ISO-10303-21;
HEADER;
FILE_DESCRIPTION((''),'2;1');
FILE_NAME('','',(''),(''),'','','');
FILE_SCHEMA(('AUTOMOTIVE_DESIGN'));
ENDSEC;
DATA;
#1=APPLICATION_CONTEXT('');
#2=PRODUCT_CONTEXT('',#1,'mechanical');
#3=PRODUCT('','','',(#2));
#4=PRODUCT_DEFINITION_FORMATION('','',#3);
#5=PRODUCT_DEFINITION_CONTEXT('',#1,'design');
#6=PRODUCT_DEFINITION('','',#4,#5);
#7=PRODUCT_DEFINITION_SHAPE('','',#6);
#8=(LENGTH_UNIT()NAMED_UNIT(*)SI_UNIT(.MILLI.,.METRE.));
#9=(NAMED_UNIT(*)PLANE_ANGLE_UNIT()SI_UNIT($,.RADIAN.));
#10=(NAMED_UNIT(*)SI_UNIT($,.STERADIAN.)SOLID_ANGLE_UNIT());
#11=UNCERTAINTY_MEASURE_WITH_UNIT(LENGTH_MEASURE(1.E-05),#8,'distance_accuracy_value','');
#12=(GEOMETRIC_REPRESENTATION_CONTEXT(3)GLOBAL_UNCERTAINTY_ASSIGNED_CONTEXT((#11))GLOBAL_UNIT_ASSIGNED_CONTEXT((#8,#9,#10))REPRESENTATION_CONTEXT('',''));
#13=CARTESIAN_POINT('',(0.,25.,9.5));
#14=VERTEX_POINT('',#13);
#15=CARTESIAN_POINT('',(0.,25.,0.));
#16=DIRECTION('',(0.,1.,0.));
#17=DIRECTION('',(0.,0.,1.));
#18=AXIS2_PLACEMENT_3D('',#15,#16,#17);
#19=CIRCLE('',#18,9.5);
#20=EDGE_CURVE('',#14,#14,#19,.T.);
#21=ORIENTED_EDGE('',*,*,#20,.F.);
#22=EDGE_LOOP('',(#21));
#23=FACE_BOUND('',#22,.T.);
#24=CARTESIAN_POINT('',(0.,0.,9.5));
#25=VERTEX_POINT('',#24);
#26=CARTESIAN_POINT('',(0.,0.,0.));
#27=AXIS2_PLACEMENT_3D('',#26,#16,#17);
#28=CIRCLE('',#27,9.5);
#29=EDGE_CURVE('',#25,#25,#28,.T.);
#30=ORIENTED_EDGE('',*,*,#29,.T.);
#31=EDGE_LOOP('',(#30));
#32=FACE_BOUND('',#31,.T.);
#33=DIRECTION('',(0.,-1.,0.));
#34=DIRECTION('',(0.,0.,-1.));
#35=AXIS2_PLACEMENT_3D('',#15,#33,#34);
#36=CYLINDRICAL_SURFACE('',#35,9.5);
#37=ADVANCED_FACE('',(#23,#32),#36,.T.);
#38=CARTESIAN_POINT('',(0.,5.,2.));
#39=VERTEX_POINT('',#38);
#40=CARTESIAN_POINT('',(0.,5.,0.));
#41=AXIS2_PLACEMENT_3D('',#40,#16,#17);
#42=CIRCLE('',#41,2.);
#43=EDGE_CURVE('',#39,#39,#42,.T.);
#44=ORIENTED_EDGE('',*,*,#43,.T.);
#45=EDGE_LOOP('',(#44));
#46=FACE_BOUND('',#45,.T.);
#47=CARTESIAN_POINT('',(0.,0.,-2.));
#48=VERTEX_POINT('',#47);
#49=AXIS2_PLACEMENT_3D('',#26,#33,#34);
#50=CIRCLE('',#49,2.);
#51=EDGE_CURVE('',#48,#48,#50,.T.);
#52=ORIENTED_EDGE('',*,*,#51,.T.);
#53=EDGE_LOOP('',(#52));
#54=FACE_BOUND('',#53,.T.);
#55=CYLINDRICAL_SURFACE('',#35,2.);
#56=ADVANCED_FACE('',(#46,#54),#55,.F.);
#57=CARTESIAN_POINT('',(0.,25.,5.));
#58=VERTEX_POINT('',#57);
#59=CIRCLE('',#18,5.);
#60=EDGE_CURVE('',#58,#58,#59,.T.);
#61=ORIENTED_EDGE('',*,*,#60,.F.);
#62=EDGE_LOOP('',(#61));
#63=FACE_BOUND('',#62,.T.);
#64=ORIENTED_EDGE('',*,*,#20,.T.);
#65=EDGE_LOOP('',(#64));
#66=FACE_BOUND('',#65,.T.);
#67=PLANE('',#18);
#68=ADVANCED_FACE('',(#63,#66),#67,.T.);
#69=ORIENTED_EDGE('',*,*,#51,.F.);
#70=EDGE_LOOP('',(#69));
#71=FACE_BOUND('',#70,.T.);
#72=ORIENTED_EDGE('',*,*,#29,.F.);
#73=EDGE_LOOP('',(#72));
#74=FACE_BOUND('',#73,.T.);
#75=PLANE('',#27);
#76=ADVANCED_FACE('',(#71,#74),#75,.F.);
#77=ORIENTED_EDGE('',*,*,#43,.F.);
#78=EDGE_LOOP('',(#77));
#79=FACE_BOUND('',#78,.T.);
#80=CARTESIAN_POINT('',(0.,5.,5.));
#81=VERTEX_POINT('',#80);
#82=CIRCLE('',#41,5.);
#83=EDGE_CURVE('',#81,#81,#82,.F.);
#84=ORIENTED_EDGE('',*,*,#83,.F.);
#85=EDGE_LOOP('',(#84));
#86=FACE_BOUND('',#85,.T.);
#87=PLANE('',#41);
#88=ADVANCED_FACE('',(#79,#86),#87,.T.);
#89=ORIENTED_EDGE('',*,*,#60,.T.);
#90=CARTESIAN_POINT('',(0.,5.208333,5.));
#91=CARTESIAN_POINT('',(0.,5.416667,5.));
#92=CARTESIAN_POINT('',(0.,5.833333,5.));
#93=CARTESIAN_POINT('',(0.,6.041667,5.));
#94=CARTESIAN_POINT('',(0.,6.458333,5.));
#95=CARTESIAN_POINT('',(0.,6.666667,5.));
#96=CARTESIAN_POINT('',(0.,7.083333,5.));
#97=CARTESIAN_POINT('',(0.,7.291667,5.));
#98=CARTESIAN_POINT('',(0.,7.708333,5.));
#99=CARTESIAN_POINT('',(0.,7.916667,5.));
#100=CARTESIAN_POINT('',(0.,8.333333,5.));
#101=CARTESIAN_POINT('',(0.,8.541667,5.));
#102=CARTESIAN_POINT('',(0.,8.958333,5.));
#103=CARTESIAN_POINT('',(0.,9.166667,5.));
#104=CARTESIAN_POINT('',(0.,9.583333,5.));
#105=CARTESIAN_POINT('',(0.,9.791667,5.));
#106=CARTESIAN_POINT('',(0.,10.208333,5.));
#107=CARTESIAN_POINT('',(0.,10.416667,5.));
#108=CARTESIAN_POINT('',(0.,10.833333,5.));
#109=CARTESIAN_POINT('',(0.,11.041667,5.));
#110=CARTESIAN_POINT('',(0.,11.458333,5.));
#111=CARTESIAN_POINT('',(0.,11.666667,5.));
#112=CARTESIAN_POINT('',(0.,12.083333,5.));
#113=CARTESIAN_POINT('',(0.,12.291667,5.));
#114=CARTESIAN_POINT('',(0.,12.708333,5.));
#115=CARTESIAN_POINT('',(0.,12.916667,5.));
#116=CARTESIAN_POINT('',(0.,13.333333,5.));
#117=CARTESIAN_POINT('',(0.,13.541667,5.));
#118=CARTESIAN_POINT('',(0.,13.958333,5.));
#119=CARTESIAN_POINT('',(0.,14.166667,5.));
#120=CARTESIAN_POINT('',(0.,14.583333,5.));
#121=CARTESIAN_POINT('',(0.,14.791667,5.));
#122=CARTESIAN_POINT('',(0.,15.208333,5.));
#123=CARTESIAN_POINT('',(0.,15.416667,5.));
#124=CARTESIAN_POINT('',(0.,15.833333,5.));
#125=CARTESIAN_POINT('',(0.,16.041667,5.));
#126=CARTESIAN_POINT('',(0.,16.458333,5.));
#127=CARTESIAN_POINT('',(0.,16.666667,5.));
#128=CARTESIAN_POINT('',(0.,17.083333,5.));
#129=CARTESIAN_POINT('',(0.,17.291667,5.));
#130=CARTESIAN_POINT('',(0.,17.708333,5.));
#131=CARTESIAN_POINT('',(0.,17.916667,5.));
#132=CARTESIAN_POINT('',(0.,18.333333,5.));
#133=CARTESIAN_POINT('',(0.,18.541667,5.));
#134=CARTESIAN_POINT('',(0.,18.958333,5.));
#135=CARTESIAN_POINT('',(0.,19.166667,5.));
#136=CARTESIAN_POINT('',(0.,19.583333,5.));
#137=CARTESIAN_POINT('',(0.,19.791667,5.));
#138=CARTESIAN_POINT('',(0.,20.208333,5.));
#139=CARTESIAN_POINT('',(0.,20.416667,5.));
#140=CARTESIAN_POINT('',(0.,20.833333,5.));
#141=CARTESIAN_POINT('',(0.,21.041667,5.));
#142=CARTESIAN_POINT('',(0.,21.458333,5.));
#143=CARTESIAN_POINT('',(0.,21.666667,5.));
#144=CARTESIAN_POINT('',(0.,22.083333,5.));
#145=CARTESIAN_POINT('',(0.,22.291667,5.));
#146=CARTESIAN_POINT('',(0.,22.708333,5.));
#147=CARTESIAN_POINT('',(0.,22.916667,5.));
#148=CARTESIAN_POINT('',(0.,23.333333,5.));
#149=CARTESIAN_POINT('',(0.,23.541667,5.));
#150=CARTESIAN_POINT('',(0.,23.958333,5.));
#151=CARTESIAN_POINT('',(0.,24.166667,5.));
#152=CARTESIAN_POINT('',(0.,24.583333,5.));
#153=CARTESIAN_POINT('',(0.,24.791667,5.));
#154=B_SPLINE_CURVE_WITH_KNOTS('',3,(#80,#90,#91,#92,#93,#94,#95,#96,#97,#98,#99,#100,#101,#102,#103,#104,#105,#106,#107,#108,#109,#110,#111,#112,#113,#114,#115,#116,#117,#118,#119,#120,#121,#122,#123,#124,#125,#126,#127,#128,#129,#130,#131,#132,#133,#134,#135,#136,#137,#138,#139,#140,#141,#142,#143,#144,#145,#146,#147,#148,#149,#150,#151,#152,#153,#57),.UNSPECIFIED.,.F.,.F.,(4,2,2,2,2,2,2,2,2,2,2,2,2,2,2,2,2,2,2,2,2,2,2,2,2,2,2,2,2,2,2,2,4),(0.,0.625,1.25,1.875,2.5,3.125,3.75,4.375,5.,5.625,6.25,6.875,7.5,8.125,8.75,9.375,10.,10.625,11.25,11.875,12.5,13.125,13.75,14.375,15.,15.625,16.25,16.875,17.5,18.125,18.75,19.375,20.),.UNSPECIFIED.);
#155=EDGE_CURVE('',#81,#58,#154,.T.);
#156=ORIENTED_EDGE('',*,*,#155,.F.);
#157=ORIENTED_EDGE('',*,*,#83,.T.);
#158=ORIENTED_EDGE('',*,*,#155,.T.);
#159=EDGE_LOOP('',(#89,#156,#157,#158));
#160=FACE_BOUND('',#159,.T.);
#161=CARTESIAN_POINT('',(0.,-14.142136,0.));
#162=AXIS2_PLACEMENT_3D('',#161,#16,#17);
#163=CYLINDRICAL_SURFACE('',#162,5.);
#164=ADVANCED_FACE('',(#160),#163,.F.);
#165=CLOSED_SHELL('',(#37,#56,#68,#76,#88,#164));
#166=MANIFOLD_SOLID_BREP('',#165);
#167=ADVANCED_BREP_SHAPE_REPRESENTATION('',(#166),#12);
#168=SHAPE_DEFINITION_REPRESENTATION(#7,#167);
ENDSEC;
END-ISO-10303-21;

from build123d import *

# Parameters (mm, degrees)
SKETCH1_R           = 9.5
BOSS_EXTRUDE1_DEPTH = 25
SKETCH2_R           = 5
CUT_EXTRUDE1_DEPTH  = 20
SKETCH3_R           = 2
CUT_EXTRUDE2_DEPTH  = 29.381331893


with BuildPart() as part:
    # Sketch1 → Boss-Extrude1 (new body)
    with BuildSketch(Plane(origin=(0, 0, 0), x_dir=(1, 0, 0), z_dir=(0, 1, 0))):
        with Locations(Location((0, 0, 0), (0, 0, 270))):
            Circle(SKETCH1_R)
    extrude(amount=BOSS_EXTRUDE1_DEPTH)

    # Sketch2 → Cut-Extrude1 (cut)
    with BuildSketch(Plane(origin=(0, 25, 0), x_dir=(1, 0, 0), z_dir=(0, 1, 0))):
        with Locations(Location((0, 0, 0), (0, 0, 270))):
            Circle(SKETCH2_R)
    extrude(amount=-CUT_EXTRUDE1_DEPTH, mode=Mode.SUBTRACT)

    # Sketch3 → Cut-Extrude2 (cut, through all)
    with BuildSketch(Plane.XZ):
        with Locations(Location((0, 0, 0), (0, 0, 270))):
            Circle(SKETCH3_R)
    extrude(amount=-CUT_EXTRUDE2_DEPTH, mode=Mode.SUBTRACT)


solid = part.part
